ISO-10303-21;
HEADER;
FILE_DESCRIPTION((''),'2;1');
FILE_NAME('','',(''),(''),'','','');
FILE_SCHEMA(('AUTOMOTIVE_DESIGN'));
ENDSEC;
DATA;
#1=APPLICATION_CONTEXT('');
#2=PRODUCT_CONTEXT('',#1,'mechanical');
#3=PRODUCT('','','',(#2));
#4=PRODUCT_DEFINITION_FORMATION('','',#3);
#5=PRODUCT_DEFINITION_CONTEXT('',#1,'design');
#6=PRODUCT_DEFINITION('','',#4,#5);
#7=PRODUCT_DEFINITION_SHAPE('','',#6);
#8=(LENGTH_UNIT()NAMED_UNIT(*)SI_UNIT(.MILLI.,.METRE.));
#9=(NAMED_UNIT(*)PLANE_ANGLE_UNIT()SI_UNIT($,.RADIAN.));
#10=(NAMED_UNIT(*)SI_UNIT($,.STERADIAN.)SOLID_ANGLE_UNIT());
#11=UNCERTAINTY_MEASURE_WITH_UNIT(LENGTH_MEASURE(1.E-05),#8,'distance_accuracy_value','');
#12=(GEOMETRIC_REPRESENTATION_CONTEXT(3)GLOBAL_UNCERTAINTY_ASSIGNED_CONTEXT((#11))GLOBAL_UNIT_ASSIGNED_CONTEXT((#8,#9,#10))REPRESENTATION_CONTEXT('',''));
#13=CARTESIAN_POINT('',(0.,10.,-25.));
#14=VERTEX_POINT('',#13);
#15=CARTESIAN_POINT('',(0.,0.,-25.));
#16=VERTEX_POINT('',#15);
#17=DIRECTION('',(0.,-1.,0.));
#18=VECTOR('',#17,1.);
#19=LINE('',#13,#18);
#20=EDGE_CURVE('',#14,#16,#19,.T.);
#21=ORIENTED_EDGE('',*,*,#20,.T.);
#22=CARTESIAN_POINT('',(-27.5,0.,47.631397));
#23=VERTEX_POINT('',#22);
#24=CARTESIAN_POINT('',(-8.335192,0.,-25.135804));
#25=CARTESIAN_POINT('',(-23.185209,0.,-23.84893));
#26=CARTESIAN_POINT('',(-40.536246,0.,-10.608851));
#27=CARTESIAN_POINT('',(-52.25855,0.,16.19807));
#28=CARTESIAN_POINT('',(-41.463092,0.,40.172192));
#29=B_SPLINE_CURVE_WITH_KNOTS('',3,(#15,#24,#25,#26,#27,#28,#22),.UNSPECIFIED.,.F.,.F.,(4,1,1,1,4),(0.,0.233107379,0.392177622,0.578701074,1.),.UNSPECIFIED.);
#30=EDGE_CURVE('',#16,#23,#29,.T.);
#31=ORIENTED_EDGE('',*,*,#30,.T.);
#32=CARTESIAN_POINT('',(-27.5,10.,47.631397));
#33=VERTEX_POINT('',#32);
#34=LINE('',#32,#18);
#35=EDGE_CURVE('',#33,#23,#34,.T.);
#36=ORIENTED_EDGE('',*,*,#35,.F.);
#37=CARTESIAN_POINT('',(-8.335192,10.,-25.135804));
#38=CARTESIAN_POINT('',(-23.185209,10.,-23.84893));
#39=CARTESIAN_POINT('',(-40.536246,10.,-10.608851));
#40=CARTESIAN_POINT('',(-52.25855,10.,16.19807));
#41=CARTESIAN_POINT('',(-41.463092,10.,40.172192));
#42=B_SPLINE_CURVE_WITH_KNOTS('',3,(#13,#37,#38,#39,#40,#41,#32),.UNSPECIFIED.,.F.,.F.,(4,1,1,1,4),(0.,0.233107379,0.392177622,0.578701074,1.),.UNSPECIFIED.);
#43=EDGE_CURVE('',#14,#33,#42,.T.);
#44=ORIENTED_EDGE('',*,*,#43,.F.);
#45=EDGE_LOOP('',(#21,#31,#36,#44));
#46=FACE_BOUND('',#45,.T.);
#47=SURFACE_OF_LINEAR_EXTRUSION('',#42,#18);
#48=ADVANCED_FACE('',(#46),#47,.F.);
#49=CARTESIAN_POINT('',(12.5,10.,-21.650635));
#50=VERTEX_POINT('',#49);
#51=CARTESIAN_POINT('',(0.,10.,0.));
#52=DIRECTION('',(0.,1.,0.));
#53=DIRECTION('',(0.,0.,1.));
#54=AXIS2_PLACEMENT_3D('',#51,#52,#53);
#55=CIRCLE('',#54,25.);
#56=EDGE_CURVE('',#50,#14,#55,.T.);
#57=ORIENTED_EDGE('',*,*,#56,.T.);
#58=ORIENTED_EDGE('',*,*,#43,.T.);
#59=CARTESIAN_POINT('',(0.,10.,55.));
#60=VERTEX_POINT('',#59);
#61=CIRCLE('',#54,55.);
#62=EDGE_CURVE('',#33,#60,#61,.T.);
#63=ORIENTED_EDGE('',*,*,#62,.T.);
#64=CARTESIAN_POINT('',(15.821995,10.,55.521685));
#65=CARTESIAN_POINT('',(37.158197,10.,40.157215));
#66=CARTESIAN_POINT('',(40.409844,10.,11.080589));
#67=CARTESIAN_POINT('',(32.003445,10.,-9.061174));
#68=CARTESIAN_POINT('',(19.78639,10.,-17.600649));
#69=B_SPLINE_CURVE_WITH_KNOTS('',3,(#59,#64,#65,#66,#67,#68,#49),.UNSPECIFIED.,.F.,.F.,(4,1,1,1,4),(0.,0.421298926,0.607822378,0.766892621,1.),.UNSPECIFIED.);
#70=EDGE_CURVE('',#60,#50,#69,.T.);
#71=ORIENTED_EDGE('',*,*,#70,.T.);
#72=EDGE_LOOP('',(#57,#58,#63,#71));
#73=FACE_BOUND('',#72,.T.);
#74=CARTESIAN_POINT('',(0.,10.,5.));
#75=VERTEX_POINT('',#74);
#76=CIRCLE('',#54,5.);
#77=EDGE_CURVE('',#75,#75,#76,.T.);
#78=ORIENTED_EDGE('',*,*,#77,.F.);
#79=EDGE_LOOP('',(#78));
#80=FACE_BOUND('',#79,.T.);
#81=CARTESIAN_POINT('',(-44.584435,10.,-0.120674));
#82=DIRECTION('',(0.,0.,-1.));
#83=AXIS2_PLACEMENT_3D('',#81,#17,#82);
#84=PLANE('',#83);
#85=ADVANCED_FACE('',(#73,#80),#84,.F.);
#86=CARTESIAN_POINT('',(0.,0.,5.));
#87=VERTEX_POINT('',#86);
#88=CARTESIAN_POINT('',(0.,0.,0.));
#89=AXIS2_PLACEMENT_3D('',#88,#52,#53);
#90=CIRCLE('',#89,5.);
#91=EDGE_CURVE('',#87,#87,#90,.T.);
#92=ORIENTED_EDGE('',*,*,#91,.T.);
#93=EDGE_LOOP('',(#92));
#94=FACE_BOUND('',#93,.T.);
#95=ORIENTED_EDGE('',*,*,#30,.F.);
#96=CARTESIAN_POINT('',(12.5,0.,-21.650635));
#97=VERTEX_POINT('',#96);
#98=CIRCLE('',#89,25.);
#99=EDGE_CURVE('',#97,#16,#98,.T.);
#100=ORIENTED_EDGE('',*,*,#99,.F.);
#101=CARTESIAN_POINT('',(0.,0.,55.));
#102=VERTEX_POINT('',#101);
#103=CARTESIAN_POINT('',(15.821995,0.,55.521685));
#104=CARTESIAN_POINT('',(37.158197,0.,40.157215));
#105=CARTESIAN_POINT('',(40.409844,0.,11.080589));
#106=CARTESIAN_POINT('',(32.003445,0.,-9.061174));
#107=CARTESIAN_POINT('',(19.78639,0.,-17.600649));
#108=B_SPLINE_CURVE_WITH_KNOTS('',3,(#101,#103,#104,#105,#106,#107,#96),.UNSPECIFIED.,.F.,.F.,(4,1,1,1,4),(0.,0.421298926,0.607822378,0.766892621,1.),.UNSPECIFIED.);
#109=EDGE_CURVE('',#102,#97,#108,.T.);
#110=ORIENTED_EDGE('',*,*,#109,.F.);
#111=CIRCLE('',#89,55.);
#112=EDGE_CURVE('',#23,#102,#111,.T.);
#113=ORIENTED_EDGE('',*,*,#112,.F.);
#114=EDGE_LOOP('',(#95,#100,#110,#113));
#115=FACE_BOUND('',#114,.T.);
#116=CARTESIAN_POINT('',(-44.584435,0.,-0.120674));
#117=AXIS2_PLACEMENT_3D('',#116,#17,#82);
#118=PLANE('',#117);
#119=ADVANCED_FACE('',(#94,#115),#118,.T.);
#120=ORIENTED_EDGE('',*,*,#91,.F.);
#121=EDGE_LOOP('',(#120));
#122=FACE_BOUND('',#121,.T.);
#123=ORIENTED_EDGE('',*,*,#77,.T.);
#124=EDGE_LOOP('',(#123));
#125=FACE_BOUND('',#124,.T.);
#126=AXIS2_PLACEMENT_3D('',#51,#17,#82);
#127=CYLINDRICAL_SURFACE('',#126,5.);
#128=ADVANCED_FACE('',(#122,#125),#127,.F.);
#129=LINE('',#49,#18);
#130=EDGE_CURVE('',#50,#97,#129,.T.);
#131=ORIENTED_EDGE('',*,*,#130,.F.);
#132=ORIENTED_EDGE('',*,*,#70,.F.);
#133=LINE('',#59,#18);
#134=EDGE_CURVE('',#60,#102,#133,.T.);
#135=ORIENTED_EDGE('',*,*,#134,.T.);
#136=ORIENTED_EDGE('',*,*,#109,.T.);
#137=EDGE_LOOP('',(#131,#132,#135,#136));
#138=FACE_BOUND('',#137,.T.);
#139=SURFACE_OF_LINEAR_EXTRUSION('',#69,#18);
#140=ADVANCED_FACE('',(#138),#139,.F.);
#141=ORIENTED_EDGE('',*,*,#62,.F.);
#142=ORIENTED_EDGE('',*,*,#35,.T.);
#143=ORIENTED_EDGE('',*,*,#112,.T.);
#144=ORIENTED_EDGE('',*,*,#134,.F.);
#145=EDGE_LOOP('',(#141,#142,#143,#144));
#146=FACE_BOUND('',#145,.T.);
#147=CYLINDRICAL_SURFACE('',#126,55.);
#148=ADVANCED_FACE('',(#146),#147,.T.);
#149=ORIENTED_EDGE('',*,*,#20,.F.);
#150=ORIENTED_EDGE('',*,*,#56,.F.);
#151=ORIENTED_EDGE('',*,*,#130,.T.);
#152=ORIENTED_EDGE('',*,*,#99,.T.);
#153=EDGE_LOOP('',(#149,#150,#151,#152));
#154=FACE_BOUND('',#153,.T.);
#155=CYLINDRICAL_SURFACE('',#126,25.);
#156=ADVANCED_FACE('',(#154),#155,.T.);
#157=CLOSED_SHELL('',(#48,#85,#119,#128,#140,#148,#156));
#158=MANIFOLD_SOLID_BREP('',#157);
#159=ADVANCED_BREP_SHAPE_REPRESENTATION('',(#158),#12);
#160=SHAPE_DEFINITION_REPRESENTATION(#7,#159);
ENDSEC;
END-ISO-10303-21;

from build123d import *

# Parameters (mm, degrees)
SKETCH2_R           = 5
BOSS_EXTRUDE1_DEPTH = 10


with BuildPart() as part:
    # Sketch2 → Boss-Extrude1 (new body)
    with BuildSketch(Plane(origin=(0, 0, 0), x_dir=(1, 0, 0), z_dir=(0, 1, 0))):
        with BuildLine():
            ThreePointArc((-27.5, -47.631397208), (-14.235047481, -53.125920446), (0, -55))
            add(Edge.make_bspline(
                [(0, -55), (15.821995191, -55.521684642), (37.158196695, -40.15721482), (40.409843735, -11.080588617), (32.003444862, 9.061174356), (19.786389501, 17.600648721), (12.5, 21.650635095)],
                knots=[0, 0, 0, 0, 0.421298926, 0.607822378, 0.766892621, 1, 1, 1, 1], degree=3))
            ThreePointArc((12.5, 21.650635095), (6.470476128, 24.148145657), (0, 25))
            add(Edge.make_bspline(
                [(0, 25), (-8.335191597, 25.135803666), (-23.185209081, 23.848929612), (-40.536245546, 10.608850636), (-52.258549707, -16.198069832), (-41.463092095, -40.172191766), (-27.5, -47.631397208)],
                knots=[0, 0, 0, 0, 0.233107379, 0.392177622, 0.578701074, 1, 1, 1, 1], degree=3))
        make_face()
        Circle(SKETCH2_R, mode=Mode.SUBTRACT)
    extrude(amount=BOSS_EXTRUDE1_DEPTH)


solid = part.part
